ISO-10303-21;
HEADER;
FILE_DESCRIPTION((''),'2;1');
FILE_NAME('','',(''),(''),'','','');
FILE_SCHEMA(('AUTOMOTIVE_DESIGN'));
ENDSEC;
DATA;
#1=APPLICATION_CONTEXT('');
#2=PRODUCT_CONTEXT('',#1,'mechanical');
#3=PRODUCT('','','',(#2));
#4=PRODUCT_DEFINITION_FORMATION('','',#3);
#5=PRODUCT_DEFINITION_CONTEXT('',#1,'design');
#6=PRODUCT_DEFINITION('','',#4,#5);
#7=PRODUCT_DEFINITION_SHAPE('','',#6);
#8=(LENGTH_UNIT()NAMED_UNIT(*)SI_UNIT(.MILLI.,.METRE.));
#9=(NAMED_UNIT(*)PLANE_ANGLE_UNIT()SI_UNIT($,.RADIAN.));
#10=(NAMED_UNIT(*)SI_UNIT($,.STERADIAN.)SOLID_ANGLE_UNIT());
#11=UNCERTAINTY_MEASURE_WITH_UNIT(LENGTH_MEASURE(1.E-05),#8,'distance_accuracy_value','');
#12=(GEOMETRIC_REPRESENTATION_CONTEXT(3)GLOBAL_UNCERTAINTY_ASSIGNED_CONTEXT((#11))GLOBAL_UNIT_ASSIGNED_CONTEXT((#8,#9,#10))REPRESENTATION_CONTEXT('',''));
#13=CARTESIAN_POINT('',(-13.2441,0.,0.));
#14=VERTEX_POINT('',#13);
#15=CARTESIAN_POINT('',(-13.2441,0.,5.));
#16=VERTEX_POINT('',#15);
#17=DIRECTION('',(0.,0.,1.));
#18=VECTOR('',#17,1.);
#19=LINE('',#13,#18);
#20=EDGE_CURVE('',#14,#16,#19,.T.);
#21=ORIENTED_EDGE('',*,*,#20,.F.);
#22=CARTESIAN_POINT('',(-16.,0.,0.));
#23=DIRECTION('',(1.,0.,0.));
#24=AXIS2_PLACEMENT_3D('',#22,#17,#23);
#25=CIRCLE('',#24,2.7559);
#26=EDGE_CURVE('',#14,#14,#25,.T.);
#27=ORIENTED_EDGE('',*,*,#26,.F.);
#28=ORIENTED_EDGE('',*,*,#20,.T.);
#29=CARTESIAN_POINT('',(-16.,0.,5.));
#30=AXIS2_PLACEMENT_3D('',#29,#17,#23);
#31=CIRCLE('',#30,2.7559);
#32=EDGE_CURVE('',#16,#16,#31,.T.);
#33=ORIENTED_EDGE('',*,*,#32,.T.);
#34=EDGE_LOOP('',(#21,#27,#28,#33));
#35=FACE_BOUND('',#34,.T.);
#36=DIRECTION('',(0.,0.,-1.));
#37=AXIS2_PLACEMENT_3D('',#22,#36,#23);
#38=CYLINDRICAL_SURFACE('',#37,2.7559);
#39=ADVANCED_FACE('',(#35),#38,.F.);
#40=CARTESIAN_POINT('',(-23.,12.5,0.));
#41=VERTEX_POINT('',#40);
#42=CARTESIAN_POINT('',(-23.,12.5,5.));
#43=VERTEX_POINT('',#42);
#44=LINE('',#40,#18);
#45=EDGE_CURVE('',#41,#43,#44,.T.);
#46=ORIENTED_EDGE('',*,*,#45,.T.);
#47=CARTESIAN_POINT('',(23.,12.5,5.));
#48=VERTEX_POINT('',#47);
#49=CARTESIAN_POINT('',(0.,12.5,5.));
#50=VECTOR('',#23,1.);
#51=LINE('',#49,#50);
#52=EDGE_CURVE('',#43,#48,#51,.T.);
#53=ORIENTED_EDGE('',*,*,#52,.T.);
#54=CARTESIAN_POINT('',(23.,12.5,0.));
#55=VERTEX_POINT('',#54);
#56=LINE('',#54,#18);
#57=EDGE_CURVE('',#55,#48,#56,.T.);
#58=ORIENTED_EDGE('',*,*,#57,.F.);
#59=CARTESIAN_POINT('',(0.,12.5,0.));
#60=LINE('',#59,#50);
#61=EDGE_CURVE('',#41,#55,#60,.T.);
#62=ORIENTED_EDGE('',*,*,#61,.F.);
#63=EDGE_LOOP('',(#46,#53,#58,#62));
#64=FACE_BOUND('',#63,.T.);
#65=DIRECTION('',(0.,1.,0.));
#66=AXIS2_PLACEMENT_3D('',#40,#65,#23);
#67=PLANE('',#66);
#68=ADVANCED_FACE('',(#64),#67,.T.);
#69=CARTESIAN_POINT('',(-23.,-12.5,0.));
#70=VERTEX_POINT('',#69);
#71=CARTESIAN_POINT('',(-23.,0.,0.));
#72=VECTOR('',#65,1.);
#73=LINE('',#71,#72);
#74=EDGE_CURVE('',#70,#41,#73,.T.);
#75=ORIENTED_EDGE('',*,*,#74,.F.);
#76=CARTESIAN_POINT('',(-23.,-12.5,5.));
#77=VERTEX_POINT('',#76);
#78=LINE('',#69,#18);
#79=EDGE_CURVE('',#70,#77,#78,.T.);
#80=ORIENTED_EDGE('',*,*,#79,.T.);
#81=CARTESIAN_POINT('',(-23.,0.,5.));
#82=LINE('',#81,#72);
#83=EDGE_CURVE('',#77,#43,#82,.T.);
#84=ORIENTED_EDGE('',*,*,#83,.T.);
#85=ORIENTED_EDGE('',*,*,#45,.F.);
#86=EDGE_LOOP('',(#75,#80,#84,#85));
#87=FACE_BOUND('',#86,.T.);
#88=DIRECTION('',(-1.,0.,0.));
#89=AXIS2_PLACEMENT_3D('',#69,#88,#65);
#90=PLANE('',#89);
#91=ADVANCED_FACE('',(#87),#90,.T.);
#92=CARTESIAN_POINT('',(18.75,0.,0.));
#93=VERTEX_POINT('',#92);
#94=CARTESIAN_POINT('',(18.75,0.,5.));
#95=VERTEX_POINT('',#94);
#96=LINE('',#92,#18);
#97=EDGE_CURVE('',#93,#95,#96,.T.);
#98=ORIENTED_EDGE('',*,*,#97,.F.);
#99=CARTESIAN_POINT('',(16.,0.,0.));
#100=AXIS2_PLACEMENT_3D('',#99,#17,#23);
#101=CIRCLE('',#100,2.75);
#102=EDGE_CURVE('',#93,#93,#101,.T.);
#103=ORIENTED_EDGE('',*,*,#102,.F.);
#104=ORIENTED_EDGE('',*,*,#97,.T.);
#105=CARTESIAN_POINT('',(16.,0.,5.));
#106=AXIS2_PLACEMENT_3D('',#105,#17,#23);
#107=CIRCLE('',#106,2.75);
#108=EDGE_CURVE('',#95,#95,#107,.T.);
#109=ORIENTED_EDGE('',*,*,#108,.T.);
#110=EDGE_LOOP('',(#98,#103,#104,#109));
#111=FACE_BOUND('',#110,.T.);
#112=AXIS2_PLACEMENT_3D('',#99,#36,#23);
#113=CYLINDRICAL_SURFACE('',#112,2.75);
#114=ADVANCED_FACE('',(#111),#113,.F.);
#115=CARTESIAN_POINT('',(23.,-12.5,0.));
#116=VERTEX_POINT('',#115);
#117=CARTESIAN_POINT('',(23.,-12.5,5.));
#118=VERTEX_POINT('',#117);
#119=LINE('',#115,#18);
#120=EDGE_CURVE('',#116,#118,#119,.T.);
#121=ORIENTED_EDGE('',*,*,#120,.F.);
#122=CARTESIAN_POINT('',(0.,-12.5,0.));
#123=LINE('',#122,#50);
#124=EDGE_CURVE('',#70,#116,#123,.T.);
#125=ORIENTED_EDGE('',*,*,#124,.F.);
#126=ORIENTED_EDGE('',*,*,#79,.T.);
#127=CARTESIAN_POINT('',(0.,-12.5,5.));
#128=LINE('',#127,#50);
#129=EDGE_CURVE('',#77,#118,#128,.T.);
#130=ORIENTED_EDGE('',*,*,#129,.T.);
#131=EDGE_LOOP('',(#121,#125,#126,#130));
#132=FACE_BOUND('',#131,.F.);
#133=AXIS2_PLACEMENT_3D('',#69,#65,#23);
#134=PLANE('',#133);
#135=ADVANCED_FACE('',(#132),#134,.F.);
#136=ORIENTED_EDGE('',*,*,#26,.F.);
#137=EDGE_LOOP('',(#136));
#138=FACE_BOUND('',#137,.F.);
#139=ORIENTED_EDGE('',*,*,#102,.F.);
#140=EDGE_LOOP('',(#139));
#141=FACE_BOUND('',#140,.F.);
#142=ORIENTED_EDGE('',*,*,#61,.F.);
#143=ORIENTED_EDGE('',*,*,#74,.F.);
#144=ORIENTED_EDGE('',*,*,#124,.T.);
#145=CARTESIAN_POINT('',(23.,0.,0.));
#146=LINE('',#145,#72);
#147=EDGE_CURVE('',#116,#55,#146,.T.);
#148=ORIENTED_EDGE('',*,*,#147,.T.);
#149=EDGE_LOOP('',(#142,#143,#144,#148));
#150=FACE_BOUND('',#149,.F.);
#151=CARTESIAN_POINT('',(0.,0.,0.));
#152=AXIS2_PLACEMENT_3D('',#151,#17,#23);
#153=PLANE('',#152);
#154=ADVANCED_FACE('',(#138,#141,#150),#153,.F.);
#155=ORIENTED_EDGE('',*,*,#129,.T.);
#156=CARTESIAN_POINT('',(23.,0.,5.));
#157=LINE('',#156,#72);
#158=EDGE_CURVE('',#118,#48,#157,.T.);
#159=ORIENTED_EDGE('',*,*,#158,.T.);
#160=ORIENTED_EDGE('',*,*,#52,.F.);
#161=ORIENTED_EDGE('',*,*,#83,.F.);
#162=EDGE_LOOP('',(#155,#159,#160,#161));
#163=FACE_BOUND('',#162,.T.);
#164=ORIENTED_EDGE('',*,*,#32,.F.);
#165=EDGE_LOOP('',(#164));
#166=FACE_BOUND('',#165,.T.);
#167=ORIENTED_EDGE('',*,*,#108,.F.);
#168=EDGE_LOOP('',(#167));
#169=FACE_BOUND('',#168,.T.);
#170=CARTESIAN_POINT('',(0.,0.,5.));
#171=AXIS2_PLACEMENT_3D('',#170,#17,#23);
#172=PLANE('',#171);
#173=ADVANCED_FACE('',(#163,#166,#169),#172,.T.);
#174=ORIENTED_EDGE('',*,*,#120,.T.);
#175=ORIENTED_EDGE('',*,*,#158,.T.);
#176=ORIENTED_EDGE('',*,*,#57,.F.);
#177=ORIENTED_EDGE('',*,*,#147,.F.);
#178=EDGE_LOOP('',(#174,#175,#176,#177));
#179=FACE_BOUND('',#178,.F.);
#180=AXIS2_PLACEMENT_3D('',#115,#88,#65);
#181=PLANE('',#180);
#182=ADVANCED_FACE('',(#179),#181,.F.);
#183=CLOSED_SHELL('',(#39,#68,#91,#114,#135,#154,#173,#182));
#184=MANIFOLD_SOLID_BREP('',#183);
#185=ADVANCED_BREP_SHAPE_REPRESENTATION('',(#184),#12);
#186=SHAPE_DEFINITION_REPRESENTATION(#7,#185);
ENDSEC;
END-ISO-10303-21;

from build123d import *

# Parameters (mm, degrees)
F0_W     = 46
F0_H     = 25
F0_R     = 2.7559
F0_R_2   = 2.75
F1_DEPTH = 5


with BuildPart() as f1:
    # F0 (on Top) → F1 (new body)
    with BuildSketch(Plane.XY):
        Rectangle(F0_W, F0_H)
        with Locations((-16, 0)):
            Circle(F0_R, mode=Mode.SUBTRACT)
        with Locations((16, 0)):
            Circle(F0_R_2, mode=Mode.SUBTRACT)
    extrude(amount=F1_DEPTH)


solid = f1.part
